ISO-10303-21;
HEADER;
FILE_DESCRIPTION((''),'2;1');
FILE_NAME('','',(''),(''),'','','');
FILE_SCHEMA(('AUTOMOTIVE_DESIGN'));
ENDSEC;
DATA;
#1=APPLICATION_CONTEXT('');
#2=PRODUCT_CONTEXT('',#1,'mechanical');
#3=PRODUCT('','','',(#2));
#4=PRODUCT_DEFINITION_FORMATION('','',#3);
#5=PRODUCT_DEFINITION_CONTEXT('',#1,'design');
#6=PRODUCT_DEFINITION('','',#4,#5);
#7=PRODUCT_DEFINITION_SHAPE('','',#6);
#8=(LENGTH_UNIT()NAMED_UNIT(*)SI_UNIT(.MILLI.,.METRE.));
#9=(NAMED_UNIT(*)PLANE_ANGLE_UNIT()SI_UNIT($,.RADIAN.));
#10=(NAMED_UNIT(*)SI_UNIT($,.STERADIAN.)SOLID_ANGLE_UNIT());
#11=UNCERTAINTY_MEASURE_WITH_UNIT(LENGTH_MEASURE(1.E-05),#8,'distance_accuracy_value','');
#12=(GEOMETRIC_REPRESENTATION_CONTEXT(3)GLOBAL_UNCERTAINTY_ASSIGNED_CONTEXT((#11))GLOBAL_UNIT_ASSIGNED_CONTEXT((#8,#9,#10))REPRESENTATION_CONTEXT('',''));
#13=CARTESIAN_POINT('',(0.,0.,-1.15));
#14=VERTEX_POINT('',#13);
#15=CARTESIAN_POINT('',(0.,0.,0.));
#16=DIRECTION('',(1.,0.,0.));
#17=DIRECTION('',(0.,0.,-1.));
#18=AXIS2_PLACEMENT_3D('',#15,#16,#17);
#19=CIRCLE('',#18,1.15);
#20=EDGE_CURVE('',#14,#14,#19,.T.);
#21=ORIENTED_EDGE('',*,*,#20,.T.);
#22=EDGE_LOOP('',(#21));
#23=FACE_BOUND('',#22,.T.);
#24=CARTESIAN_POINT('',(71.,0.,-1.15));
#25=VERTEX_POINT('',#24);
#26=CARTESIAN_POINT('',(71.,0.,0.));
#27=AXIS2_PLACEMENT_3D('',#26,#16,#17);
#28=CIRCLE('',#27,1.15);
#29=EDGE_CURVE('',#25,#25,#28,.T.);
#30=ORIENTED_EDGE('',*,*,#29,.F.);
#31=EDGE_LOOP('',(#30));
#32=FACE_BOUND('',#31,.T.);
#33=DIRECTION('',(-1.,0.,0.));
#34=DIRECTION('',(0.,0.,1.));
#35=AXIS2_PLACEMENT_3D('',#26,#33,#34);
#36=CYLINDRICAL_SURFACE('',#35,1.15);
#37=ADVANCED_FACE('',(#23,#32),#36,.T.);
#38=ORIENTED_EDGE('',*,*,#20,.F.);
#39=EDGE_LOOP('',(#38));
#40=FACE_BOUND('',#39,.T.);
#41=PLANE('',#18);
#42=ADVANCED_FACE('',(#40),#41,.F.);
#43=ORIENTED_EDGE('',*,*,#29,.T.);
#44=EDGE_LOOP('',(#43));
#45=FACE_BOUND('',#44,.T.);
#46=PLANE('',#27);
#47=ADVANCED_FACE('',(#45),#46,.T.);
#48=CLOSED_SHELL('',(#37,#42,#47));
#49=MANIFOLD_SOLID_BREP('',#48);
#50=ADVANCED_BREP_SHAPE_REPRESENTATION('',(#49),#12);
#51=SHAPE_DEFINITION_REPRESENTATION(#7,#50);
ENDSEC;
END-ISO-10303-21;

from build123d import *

# Parameters (mm, degrees)
SKICA1_R                = 1.15
P_IDAT_VYSUNUT_M1_DEPTH = 71


with BuildPart() as part:
    # Skica1 → Přidat vysunutím1 (new body)
    with BuildSketch(Plane(origin=(0, 0, 0), x_dir=(0, 0, -1), z_dir=(1, 0, 0))):
        Circle(SKICA1_R)
    extrude(amount=P_IDAT_VYSUNUT_M1_DEPTH)


solid = part.part
